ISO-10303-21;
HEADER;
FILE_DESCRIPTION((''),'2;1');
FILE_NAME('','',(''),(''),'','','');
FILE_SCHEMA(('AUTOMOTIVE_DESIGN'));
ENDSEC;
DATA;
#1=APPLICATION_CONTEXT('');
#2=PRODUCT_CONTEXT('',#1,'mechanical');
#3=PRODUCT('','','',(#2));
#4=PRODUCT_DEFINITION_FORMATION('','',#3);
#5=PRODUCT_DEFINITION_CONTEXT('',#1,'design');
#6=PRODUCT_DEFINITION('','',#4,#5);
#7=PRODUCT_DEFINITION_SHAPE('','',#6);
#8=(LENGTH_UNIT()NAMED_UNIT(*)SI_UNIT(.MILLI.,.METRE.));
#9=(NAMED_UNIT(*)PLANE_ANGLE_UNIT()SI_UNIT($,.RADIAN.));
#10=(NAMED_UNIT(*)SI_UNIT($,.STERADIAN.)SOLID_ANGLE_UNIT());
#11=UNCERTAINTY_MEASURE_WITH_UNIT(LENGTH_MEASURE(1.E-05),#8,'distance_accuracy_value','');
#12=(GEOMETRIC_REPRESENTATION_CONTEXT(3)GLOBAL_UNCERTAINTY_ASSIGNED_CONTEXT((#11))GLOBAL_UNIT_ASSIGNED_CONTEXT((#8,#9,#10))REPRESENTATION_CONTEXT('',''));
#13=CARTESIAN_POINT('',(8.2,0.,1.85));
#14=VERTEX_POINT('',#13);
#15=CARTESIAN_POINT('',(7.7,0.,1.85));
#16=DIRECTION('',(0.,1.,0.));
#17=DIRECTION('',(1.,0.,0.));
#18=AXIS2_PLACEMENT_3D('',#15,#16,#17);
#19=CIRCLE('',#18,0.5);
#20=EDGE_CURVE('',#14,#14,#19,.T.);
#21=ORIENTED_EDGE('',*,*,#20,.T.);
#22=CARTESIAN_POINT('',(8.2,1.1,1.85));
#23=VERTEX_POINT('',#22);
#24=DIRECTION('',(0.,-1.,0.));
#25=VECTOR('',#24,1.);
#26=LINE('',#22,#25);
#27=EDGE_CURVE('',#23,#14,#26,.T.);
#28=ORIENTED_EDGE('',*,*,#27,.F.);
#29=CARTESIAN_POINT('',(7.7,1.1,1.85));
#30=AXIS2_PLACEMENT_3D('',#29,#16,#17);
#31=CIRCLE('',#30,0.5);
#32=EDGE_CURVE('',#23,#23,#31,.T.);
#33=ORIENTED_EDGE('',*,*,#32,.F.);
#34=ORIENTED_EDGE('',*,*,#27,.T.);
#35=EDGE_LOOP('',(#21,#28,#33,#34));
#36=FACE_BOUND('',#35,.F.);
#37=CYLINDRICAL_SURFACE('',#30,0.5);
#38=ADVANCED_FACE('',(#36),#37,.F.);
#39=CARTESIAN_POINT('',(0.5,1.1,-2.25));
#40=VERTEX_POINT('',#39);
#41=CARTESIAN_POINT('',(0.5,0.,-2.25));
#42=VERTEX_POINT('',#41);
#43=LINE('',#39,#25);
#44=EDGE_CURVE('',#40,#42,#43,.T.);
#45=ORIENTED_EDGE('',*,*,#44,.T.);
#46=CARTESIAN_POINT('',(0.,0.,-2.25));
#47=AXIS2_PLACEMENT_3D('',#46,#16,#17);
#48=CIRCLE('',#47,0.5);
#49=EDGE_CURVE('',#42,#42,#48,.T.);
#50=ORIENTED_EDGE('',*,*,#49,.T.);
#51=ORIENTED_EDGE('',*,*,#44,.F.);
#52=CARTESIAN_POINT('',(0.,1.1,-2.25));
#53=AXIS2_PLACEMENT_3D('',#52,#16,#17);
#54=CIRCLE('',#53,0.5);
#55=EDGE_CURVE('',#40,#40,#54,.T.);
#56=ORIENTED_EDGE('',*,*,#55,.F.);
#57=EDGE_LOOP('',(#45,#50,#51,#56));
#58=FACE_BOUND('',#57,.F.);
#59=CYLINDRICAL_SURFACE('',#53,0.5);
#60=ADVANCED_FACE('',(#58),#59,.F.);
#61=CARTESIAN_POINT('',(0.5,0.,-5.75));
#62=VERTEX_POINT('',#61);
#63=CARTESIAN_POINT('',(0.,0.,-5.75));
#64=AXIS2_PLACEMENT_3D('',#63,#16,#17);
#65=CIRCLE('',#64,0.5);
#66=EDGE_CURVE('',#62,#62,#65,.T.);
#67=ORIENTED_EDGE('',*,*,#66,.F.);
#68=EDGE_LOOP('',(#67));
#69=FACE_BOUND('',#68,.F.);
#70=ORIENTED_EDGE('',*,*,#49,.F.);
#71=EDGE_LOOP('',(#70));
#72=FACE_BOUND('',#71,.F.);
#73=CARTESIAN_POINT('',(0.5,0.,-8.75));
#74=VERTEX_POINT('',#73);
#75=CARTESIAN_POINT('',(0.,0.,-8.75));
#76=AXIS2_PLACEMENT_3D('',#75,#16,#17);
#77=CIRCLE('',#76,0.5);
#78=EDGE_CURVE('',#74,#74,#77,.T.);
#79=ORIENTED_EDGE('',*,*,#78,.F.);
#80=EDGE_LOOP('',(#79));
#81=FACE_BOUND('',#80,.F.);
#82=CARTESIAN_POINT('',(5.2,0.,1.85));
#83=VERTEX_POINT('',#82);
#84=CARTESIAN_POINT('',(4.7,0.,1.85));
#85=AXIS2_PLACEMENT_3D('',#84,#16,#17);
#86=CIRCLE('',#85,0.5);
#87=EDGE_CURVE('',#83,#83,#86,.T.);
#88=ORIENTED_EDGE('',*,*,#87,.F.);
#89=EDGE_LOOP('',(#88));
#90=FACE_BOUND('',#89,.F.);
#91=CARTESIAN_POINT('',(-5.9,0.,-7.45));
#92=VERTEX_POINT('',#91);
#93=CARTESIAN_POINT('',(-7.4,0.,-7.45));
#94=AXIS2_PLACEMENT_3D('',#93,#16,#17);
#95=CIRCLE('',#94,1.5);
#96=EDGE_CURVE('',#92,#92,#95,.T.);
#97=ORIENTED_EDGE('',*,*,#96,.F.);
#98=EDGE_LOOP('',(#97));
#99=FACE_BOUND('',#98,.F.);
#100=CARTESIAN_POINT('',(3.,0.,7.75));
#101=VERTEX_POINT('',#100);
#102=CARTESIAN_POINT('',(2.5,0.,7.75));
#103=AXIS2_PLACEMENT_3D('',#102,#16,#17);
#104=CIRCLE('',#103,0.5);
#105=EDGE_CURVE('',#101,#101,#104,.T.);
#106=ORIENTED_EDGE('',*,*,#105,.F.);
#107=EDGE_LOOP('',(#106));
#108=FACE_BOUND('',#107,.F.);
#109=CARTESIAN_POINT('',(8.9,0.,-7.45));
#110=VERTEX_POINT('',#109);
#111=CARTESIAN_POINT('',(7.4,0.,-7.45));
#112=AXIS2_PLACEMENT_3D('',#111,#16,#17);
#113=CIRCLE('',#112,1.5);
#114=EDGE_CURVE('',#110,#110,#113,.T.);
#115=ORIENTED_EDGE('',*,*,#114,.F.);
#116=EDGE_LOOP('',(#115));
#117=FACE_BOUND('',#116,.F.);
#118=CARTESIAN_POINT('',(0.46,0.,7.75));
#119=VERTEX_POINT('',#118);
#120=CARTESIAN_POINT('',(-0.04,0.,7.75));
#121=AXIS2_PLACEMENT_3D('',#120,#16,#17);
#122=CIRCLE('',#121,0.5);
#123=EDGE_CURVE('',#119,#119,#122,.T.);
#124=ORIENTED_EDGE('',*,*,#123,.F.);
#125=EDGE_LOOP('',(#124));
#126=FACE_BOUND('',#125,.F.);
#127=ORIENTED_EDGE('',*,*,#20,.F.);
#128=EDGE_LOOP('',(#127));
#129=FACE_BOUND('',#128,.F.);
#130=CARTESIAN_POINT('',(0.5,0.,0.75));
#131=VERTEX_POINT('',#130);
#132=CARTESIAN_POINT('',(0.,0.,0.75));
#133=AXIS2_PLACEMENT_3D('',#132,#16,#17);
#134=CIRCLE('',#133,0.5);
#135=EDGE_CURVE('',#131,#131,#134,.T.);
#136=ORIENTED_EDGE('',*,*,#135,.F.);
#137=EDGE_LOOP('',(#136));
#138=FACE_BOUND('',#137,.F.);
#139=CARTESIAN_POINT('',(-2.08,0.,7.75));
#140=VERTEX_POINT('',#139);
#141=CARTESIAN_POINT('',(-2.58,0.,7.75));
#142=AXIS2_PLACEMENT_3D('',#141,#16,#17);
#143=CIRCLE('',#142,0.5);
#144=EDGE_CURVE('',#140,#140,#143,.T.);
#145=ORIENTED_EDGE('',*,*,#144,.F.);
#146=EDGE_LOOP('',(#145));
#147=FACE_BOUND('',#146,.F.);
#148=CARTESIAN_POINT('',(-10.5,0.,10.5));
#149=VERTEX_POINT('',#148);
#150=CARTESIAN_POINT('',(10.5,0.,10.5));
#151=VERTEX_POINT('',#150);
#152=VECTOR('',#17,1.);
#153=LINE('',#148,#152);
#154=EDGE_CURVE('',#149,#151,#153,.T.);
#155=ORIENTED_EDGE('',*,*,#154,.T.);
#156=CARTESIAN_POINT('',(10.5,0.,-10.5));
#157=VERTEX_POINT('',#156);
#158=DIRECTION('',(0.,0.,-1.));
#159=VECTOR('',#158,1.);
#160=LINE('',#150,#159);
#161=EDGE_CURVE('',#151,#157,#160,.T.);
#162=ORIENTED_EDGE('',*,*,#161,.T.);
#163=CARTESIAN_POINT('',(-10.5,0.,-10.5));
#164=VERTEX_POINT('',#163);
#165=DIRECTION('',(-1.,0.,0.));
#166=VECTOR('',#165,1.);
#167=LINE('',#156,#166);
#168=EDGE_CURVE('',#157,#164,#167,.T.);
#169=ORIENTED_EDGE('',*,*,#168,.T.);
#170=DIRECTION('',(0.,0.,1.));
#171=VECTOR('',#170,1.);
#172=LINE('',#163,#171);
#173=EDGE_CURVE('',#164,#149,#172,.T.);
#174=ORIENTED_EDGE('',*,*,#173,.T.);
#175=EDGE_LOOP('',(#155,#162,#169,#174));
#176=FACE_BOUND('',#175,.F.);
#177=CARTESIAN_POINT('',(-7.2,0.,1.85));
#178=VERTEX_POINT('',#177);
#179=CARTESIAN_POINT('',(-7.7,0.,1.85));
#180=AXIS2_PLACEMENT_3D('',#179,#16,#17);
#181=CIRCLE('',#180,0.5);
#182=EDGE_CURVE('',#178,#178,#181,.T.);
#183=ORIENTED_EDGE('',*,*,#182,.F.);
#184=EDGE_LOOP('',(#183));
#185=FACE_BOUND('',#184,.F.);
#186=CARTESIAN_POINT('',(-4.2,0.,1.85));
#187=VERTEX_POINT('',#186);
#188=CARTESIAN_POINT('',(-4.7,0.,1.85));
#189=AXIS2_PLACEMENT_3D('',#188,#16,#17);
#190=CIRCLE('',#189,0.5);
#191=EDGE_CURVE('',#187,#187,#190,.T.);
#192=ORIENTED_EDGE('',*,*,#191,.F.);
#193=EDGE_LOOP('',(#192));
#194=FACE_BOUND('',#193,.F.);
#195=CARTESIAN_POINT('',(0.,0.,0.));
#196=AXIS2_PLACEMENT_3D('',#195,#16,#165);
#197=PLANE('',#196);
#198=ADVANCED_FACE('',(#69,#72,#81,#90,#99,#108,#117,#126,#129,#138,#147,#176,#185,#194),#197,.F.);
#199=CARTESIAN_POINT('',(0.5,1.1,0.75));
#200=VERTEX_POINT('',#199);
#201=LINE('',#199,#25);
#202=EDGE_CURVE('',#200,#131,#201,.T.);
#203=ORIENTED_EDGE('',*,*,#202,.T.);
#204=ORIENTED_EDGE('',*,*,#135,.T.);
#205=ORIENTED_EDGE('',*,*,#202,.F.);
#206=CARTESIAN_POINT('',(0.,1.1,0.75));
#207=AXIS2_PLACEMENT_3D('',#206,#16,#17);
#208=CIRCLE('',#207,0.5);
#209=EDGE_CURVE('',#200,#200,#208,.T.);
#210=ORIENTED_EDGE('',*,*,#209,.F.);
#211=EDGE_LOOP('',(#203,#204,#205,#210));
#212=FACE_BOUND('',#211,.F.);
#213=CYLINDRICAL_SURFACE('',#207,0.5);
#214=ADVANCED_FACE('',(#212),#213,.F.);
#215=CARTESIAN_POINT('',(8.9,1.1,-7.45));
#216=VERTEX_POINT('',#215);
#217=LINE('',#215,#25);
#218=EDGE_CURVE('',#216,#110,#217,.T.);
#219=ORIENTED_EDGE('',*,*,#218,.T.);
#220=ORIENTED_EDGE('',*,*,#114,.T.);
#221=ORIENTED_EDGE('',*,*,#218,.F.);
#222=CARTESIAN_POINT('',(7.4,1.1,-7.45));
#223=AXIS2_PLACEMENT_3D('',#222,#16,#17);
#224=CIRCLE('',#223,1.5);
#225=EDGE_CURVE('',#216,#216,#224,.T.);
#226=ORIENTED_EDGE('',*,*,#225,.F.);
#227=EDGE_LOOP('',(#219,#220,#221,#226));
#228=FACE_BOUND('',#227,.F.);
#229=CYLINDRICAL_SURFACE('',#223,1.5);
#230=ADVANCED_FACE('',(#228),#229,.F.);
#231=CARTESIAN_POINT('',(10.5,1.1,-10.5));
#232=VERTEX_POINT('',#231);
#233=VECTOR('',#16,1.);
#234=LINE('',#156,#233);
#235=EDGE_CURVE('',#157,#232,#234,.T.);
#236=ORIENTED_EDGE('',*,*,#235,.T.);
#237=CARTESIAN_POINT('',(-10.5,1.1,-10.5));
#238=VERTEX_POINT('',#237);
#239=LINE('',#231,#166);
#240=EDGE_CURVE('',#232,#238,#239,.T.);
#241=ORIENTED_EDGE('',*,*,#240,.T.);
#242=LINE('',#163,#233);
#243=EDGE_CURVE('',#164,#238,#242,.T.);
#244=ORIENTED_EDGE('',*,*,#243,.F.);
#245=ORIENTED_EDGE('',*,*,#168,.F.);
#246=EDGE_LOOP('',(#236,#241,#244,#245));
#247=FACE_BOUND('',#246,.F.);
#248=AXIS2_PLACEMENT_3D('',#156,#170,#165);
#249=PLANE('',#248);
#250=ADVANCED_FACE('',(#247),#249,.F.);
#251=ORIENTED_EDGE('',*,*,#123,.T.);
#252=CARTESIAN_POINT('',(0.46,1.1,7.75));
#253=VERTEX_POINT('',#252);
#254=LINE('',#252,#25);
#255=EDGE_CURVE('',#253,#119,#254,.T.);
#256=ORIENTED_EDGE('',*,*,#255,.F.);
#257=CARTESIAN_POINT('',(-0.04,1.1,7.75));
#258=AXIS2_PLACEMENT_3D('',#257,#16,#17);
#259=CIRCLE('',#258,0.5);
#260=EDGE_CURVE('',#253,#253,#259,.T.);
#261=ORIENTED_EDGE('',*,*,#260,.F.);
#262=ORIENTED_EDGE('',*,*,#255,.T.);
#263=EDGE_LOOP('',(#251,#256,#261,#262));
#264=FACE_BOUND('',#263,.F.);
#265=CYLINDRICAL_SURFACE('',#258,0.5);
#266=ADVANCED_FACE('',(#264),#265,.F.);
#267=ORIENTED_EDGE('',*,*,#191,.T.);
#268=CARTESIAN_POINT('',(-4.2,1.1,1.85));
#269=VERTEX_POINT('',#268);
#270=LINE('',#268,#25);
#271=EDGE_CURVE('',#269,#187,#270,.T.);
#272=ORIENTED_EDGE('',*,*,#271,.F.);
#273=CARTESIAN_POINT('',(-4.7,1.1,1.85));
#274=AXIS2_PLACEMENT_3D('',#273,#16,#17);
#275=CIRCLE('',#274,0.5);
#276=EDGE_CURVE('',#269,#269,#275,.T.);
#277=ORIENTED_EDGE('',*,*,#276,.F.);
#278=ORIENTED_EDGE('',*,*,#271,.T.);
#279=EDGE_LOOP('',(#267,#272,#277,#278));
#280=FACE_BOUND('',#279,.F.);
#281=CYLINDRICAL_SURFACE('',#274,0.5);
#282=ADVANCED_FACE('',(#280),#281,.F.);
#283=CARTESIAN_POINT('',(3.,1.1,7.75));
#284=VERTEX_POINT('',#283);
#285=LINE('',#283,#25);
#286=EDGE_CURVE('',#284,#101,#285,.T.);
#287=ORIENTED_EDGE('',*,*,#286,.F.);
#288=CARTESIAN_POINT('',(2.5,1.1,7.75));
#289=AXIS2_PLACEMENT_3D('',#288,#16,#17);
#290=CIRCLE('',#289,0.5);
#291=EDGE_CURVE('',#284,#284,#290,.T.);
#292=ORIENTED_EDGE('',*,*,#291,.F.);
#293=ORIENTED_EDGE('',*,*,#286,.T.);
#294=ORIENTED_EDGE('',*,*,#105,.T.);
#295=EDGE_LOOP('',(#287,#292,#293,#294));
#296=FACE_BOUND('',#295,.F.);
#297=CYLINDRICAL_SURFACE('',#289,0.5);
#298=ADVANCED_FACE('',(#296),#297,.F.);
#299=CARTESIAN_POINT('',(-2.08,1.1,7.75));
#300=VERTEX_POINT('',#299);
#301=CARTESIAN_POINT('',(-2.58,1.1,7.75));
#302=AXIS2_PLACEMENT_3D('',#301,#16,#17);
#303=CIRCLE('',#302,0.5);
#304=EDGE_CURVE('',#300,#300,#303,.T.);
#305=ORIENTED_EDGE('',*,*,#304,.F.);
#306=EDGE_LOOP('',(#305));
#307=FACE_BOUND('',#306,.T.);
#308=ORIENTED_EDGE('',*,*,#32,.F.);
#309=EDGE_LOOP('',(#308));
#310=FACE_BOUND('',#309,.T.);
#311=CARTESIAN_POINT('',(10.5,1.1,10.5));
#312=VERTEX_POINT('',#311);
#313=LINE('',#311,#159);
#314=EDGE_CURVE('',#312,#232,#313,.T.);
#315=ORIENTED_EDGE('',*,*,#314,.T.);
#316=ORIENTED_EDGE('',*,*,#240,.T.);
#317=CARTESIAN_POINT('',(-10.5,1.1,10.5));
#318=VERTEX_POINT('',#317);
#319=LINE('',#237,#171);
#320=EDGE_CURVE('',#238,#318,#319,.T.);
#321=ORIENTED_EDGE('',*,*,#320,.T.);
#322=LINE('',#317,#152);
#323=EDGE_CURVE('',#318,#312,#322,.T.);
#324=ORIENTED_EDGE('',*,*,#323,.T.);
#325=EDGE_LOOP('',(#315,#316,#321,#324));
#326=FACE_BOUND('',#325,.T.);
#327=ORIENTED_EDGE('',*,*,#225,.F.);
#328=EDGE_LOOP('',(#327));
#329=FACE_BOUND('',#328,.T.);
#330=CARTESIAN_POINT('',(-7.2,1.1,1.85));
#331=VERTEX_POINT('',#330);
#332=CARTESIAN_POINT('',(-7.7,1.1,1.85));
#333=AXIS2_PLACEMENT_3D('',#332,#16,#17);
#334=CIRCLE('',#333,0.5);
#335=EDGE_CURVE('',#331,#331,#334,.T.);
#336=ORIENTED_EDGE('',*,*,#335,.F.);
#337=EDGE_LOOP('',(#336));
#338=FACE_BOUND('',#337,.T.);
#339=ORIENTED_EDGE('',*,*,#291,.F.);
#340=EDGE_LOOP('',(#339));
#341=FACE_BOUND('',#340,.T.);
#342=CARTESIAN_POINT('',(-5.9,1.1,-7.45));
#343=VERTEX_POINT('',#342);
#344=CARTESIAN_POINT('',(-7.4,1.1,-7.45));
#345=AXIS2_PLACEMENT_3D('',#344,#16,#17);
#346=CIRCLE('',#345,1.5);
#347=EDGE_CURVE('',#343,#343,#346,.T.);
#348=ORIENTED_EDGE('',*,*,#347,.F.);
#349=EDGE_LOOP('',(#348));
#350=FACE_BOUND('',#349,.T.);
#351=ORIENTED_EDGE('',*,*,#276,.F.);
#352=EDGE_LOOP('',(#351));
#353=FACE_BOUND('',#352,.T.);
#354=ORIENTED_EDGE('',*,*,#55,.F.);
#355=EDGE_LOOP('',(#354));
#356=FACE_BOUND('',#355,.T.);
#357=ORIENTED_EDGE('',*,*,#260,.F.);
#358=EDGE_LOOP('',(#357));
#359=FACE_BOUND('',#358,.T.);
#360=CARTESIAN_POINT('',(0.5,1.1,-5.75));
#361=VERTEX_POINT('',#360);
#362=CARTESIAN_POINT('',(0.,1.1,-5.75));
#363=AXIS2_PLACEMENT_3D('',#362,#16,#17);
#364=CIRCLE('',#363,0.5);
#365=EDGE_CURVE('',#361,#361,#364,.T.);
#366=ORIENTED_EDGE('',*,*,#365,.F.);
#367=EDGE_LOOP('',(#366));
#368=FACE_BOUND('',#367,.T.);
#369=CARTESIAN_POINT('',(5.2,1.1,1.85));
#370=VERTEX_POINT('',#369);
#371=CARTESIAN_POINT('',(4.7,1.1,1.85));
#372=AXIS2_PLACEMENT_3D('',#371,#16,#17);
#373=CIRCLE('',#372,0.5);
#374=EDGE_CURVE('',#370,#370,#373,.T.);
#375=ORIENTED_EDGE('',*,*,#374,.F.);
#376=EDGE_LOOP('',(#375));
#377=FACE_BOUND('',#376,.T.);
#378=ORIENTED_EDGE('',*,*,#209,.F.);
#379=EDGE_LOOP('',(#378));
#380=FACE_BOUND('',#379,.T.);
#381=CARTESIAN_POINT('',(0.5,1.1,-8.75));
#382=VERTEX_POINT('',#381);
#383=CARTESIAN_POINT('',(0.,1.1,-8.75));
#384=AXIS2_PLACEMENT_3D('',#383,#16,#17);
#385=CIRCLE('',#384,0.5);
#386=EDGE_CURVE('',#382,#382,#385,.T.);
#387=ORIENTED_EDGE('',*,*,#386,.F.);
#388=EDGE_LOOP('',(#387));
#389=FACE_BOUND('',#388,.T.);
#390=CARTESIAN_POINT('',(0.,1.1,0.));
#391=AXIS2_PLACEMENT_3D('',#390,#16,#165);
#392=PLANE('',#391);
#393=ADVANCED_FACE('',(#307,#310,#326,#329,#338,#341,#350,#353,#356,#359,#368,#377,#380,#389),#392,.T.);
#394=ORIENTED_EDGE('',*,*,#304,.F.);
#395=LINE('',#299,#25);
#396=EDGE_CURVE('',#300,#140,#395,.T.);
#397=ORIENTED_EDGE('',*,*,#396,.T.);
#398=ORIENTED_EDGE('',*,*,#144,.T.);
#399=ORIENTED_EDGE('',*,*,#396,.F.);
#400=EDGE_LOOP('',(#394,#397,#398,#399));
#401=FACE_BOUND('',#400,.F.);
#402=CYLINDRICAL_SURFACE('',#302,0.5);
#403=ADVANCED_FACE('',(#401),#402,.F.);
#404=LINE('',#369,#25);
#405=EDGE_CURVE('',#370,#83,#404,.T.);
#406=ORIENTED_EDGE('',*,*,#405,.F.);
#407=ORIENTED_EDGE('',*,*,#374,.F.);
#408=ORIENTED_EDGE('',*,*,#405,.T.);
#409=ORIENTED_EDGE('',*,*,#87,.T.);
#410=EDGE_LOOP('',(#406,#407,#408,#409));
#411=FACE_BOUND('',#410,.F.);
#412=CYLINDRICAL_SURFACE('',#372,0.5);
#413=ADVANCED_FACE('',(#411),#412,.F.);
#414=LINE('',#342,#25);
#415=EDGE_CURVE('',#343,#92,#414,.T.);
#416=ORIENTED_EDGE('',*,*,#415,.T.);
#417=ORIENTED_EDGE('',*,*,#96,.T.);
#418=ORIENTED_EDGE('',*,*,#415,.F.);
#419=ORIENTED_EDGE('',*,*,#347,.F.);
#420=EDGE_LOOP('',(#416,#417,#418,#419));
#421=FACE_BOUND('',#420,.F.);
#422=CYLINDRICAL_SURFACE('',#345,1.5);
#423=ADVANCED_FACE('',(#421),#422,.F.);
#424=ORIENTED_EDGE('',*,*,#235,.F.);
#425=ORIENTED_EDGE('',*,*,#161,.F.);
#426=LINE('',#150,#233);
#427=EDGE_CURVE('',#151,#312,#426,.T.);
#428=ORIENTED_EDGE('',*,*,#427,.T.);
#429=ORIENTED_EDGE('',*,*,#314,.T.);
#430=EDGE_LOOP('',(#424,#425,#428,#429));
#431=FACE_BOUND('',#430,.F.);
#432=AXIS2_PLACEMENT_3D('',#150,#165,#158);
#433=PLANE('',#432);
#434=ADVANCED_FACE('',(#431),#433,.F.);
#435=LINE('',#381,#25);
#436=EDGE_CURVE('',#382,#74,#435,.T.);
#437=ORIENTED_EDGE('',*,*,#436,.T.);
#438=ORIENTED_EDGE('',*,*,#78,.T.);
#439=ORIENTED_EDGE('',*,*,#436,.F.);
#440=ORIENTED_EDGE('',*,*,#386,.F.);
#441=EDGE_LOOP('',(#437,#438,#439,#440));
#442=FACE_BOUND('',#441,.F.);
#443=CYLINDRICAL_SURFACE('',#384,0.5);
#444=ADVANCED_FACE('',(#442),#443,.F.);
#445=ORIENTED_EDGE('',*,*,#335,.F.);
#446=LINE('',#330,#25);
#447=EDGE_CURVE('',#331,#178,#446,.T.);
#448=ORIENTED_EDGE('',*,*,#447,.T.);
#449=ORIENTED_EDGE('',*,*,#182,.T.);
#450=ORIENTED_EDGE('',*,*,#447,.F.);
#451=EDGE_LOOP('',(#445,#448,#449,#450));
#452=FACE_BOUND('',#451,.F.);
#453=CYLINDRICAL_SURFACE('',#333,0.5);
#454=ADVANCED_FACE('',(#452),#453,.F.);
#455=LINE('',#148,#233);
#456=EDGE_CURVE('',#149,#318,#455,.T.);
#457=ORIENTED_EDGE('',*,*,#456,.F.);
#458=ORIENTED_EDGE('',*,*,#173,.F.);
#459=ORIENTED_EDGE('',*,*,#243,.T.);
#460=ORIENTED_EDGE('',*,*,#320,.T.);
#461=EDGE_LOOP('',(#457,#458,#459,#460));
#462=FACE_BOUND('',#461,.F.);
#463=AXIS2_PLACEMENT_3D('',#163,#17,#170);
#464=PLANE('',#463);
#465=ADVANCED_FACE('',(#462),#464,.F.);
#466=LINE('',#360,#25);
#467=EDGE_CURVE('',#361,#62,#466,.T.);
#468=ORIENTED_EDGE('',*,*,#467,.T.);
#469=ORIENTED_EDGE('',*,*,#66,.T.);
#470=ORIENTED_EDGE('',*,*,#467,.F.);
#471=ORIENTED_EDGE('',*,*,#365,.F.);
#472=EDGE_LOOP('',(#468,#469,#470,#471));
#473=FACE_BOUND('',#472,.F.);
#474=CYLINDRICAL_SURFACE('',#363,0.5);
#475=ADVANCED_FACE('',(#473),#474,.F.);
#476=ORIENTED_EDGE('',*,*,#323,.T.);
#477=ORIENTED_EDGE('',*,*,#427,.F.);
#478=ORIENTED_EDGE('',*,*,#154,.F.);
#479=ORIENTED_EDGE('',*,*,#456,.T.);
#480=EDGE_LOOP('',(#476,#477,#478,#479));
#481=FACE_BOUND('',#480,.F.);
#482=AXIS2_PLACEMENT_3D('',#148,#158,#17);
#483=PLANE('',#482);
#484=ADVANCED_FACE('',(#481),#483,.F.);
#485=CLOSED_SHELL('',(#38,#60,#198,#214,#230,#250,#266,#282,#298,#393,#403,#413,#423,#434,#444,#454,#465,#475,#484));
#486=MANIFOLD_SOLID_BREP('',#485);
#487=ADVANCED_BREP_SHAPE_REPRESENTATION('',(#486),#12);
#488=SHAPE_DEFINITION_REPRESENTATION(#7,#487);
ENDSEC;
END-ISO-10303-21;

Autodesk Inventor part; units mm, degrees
ref_plane "YZ Plane" through (0, 0, 0) normal (1, 0, 0) x (0, 1, 0)
ref_plane "XZ Plane" through (0, 0, 0) normal (0, 1, 0) x (-1, 0, 0)
ref_plane "XY Plane" through (0, 0, 0) normal (0, 0, 1) x (1, 0, 0)
sketch "Sketch1" plane through (0, 0, 0) normal (0, 1, 0) x (-1, 0, 0)
  line L0 (-10.5, -10.5) -> (10.5, -10.5)
  line L1 (10.5, -10.5) -> (10.5, 10.5)
  line L2 (10.5, 10.5) -> (-10.5, 10.5)
  line L3 (-10.5, 10.5) -> (-10.5, -10.5)
  line L4 (-10.5, -10.5) -> (10.5, 10.5) construction
  line L5 (10.5, -10.5) -> (-10.5, 10.5) construction
  point P0 (0, 0)
  dimension "d0" = 21
  dimension "d1" = 21
extrude "Extrusion1" add sketch "Sketch1" along normal blind 1.1
sketch "Sketch2" plane through (0, 1.1, 0) normal (0, 1, 0) x (1, 0, 0)
  circle A0 centre (-7.4, 7.45) radius 1.5
  circle A1 centre (7.4, 7.45) radius 1.5
  circle A2 centre (0, 8.75) radius 0.5
  circle A3 centre (0, 5.75) radius 0.5
  circle A4 centre (-2.58, -7.75) radius 0.5
  circle A5 centre (-0.04, -7.75) radius 0.5
  circle A6 centre (2.5, -7.75) radius 0.5
  circle A7 centre (-7.7, -1.85) radius 0.5
  circle A8 centre (-4.7, -1.85) radius 0.5
  circle A9 centre (0, 2.25) radius 0.5
  circle A10 centre (0, -0.75) radius 0.5
  circle A11 centre (4.7, -1.85) radius 0.5
  circle A12 centre (7.7, -1.85) radius 0.5
  point P0 (0, 0)
  dimension "d4" = 3
  dimension "d5" = 3
  dimension "d10" = 1
  dimension "d12" = 1
  dimension "d14" = 1
  dimension "d15" = 1
  dimension "d16" = 1
  dimension "d23" = 2.54
  dimension "d24" = 2.54
  dimension "d25" = 1
  dimension "d27" = 1
  dimension "d28" = 3
  dimension "d31" = 1
  dimension "d32" = 1
  dimension "d36" = 3
  dimension "d37" = 1
  dimension "d38" = 1
  dimension "d40" = 3
extrude "Extrusion2" cut sketch "Sketch2" against normal up to next
properties part number "PCB_Sen_Color" material "ABS Plastic"
